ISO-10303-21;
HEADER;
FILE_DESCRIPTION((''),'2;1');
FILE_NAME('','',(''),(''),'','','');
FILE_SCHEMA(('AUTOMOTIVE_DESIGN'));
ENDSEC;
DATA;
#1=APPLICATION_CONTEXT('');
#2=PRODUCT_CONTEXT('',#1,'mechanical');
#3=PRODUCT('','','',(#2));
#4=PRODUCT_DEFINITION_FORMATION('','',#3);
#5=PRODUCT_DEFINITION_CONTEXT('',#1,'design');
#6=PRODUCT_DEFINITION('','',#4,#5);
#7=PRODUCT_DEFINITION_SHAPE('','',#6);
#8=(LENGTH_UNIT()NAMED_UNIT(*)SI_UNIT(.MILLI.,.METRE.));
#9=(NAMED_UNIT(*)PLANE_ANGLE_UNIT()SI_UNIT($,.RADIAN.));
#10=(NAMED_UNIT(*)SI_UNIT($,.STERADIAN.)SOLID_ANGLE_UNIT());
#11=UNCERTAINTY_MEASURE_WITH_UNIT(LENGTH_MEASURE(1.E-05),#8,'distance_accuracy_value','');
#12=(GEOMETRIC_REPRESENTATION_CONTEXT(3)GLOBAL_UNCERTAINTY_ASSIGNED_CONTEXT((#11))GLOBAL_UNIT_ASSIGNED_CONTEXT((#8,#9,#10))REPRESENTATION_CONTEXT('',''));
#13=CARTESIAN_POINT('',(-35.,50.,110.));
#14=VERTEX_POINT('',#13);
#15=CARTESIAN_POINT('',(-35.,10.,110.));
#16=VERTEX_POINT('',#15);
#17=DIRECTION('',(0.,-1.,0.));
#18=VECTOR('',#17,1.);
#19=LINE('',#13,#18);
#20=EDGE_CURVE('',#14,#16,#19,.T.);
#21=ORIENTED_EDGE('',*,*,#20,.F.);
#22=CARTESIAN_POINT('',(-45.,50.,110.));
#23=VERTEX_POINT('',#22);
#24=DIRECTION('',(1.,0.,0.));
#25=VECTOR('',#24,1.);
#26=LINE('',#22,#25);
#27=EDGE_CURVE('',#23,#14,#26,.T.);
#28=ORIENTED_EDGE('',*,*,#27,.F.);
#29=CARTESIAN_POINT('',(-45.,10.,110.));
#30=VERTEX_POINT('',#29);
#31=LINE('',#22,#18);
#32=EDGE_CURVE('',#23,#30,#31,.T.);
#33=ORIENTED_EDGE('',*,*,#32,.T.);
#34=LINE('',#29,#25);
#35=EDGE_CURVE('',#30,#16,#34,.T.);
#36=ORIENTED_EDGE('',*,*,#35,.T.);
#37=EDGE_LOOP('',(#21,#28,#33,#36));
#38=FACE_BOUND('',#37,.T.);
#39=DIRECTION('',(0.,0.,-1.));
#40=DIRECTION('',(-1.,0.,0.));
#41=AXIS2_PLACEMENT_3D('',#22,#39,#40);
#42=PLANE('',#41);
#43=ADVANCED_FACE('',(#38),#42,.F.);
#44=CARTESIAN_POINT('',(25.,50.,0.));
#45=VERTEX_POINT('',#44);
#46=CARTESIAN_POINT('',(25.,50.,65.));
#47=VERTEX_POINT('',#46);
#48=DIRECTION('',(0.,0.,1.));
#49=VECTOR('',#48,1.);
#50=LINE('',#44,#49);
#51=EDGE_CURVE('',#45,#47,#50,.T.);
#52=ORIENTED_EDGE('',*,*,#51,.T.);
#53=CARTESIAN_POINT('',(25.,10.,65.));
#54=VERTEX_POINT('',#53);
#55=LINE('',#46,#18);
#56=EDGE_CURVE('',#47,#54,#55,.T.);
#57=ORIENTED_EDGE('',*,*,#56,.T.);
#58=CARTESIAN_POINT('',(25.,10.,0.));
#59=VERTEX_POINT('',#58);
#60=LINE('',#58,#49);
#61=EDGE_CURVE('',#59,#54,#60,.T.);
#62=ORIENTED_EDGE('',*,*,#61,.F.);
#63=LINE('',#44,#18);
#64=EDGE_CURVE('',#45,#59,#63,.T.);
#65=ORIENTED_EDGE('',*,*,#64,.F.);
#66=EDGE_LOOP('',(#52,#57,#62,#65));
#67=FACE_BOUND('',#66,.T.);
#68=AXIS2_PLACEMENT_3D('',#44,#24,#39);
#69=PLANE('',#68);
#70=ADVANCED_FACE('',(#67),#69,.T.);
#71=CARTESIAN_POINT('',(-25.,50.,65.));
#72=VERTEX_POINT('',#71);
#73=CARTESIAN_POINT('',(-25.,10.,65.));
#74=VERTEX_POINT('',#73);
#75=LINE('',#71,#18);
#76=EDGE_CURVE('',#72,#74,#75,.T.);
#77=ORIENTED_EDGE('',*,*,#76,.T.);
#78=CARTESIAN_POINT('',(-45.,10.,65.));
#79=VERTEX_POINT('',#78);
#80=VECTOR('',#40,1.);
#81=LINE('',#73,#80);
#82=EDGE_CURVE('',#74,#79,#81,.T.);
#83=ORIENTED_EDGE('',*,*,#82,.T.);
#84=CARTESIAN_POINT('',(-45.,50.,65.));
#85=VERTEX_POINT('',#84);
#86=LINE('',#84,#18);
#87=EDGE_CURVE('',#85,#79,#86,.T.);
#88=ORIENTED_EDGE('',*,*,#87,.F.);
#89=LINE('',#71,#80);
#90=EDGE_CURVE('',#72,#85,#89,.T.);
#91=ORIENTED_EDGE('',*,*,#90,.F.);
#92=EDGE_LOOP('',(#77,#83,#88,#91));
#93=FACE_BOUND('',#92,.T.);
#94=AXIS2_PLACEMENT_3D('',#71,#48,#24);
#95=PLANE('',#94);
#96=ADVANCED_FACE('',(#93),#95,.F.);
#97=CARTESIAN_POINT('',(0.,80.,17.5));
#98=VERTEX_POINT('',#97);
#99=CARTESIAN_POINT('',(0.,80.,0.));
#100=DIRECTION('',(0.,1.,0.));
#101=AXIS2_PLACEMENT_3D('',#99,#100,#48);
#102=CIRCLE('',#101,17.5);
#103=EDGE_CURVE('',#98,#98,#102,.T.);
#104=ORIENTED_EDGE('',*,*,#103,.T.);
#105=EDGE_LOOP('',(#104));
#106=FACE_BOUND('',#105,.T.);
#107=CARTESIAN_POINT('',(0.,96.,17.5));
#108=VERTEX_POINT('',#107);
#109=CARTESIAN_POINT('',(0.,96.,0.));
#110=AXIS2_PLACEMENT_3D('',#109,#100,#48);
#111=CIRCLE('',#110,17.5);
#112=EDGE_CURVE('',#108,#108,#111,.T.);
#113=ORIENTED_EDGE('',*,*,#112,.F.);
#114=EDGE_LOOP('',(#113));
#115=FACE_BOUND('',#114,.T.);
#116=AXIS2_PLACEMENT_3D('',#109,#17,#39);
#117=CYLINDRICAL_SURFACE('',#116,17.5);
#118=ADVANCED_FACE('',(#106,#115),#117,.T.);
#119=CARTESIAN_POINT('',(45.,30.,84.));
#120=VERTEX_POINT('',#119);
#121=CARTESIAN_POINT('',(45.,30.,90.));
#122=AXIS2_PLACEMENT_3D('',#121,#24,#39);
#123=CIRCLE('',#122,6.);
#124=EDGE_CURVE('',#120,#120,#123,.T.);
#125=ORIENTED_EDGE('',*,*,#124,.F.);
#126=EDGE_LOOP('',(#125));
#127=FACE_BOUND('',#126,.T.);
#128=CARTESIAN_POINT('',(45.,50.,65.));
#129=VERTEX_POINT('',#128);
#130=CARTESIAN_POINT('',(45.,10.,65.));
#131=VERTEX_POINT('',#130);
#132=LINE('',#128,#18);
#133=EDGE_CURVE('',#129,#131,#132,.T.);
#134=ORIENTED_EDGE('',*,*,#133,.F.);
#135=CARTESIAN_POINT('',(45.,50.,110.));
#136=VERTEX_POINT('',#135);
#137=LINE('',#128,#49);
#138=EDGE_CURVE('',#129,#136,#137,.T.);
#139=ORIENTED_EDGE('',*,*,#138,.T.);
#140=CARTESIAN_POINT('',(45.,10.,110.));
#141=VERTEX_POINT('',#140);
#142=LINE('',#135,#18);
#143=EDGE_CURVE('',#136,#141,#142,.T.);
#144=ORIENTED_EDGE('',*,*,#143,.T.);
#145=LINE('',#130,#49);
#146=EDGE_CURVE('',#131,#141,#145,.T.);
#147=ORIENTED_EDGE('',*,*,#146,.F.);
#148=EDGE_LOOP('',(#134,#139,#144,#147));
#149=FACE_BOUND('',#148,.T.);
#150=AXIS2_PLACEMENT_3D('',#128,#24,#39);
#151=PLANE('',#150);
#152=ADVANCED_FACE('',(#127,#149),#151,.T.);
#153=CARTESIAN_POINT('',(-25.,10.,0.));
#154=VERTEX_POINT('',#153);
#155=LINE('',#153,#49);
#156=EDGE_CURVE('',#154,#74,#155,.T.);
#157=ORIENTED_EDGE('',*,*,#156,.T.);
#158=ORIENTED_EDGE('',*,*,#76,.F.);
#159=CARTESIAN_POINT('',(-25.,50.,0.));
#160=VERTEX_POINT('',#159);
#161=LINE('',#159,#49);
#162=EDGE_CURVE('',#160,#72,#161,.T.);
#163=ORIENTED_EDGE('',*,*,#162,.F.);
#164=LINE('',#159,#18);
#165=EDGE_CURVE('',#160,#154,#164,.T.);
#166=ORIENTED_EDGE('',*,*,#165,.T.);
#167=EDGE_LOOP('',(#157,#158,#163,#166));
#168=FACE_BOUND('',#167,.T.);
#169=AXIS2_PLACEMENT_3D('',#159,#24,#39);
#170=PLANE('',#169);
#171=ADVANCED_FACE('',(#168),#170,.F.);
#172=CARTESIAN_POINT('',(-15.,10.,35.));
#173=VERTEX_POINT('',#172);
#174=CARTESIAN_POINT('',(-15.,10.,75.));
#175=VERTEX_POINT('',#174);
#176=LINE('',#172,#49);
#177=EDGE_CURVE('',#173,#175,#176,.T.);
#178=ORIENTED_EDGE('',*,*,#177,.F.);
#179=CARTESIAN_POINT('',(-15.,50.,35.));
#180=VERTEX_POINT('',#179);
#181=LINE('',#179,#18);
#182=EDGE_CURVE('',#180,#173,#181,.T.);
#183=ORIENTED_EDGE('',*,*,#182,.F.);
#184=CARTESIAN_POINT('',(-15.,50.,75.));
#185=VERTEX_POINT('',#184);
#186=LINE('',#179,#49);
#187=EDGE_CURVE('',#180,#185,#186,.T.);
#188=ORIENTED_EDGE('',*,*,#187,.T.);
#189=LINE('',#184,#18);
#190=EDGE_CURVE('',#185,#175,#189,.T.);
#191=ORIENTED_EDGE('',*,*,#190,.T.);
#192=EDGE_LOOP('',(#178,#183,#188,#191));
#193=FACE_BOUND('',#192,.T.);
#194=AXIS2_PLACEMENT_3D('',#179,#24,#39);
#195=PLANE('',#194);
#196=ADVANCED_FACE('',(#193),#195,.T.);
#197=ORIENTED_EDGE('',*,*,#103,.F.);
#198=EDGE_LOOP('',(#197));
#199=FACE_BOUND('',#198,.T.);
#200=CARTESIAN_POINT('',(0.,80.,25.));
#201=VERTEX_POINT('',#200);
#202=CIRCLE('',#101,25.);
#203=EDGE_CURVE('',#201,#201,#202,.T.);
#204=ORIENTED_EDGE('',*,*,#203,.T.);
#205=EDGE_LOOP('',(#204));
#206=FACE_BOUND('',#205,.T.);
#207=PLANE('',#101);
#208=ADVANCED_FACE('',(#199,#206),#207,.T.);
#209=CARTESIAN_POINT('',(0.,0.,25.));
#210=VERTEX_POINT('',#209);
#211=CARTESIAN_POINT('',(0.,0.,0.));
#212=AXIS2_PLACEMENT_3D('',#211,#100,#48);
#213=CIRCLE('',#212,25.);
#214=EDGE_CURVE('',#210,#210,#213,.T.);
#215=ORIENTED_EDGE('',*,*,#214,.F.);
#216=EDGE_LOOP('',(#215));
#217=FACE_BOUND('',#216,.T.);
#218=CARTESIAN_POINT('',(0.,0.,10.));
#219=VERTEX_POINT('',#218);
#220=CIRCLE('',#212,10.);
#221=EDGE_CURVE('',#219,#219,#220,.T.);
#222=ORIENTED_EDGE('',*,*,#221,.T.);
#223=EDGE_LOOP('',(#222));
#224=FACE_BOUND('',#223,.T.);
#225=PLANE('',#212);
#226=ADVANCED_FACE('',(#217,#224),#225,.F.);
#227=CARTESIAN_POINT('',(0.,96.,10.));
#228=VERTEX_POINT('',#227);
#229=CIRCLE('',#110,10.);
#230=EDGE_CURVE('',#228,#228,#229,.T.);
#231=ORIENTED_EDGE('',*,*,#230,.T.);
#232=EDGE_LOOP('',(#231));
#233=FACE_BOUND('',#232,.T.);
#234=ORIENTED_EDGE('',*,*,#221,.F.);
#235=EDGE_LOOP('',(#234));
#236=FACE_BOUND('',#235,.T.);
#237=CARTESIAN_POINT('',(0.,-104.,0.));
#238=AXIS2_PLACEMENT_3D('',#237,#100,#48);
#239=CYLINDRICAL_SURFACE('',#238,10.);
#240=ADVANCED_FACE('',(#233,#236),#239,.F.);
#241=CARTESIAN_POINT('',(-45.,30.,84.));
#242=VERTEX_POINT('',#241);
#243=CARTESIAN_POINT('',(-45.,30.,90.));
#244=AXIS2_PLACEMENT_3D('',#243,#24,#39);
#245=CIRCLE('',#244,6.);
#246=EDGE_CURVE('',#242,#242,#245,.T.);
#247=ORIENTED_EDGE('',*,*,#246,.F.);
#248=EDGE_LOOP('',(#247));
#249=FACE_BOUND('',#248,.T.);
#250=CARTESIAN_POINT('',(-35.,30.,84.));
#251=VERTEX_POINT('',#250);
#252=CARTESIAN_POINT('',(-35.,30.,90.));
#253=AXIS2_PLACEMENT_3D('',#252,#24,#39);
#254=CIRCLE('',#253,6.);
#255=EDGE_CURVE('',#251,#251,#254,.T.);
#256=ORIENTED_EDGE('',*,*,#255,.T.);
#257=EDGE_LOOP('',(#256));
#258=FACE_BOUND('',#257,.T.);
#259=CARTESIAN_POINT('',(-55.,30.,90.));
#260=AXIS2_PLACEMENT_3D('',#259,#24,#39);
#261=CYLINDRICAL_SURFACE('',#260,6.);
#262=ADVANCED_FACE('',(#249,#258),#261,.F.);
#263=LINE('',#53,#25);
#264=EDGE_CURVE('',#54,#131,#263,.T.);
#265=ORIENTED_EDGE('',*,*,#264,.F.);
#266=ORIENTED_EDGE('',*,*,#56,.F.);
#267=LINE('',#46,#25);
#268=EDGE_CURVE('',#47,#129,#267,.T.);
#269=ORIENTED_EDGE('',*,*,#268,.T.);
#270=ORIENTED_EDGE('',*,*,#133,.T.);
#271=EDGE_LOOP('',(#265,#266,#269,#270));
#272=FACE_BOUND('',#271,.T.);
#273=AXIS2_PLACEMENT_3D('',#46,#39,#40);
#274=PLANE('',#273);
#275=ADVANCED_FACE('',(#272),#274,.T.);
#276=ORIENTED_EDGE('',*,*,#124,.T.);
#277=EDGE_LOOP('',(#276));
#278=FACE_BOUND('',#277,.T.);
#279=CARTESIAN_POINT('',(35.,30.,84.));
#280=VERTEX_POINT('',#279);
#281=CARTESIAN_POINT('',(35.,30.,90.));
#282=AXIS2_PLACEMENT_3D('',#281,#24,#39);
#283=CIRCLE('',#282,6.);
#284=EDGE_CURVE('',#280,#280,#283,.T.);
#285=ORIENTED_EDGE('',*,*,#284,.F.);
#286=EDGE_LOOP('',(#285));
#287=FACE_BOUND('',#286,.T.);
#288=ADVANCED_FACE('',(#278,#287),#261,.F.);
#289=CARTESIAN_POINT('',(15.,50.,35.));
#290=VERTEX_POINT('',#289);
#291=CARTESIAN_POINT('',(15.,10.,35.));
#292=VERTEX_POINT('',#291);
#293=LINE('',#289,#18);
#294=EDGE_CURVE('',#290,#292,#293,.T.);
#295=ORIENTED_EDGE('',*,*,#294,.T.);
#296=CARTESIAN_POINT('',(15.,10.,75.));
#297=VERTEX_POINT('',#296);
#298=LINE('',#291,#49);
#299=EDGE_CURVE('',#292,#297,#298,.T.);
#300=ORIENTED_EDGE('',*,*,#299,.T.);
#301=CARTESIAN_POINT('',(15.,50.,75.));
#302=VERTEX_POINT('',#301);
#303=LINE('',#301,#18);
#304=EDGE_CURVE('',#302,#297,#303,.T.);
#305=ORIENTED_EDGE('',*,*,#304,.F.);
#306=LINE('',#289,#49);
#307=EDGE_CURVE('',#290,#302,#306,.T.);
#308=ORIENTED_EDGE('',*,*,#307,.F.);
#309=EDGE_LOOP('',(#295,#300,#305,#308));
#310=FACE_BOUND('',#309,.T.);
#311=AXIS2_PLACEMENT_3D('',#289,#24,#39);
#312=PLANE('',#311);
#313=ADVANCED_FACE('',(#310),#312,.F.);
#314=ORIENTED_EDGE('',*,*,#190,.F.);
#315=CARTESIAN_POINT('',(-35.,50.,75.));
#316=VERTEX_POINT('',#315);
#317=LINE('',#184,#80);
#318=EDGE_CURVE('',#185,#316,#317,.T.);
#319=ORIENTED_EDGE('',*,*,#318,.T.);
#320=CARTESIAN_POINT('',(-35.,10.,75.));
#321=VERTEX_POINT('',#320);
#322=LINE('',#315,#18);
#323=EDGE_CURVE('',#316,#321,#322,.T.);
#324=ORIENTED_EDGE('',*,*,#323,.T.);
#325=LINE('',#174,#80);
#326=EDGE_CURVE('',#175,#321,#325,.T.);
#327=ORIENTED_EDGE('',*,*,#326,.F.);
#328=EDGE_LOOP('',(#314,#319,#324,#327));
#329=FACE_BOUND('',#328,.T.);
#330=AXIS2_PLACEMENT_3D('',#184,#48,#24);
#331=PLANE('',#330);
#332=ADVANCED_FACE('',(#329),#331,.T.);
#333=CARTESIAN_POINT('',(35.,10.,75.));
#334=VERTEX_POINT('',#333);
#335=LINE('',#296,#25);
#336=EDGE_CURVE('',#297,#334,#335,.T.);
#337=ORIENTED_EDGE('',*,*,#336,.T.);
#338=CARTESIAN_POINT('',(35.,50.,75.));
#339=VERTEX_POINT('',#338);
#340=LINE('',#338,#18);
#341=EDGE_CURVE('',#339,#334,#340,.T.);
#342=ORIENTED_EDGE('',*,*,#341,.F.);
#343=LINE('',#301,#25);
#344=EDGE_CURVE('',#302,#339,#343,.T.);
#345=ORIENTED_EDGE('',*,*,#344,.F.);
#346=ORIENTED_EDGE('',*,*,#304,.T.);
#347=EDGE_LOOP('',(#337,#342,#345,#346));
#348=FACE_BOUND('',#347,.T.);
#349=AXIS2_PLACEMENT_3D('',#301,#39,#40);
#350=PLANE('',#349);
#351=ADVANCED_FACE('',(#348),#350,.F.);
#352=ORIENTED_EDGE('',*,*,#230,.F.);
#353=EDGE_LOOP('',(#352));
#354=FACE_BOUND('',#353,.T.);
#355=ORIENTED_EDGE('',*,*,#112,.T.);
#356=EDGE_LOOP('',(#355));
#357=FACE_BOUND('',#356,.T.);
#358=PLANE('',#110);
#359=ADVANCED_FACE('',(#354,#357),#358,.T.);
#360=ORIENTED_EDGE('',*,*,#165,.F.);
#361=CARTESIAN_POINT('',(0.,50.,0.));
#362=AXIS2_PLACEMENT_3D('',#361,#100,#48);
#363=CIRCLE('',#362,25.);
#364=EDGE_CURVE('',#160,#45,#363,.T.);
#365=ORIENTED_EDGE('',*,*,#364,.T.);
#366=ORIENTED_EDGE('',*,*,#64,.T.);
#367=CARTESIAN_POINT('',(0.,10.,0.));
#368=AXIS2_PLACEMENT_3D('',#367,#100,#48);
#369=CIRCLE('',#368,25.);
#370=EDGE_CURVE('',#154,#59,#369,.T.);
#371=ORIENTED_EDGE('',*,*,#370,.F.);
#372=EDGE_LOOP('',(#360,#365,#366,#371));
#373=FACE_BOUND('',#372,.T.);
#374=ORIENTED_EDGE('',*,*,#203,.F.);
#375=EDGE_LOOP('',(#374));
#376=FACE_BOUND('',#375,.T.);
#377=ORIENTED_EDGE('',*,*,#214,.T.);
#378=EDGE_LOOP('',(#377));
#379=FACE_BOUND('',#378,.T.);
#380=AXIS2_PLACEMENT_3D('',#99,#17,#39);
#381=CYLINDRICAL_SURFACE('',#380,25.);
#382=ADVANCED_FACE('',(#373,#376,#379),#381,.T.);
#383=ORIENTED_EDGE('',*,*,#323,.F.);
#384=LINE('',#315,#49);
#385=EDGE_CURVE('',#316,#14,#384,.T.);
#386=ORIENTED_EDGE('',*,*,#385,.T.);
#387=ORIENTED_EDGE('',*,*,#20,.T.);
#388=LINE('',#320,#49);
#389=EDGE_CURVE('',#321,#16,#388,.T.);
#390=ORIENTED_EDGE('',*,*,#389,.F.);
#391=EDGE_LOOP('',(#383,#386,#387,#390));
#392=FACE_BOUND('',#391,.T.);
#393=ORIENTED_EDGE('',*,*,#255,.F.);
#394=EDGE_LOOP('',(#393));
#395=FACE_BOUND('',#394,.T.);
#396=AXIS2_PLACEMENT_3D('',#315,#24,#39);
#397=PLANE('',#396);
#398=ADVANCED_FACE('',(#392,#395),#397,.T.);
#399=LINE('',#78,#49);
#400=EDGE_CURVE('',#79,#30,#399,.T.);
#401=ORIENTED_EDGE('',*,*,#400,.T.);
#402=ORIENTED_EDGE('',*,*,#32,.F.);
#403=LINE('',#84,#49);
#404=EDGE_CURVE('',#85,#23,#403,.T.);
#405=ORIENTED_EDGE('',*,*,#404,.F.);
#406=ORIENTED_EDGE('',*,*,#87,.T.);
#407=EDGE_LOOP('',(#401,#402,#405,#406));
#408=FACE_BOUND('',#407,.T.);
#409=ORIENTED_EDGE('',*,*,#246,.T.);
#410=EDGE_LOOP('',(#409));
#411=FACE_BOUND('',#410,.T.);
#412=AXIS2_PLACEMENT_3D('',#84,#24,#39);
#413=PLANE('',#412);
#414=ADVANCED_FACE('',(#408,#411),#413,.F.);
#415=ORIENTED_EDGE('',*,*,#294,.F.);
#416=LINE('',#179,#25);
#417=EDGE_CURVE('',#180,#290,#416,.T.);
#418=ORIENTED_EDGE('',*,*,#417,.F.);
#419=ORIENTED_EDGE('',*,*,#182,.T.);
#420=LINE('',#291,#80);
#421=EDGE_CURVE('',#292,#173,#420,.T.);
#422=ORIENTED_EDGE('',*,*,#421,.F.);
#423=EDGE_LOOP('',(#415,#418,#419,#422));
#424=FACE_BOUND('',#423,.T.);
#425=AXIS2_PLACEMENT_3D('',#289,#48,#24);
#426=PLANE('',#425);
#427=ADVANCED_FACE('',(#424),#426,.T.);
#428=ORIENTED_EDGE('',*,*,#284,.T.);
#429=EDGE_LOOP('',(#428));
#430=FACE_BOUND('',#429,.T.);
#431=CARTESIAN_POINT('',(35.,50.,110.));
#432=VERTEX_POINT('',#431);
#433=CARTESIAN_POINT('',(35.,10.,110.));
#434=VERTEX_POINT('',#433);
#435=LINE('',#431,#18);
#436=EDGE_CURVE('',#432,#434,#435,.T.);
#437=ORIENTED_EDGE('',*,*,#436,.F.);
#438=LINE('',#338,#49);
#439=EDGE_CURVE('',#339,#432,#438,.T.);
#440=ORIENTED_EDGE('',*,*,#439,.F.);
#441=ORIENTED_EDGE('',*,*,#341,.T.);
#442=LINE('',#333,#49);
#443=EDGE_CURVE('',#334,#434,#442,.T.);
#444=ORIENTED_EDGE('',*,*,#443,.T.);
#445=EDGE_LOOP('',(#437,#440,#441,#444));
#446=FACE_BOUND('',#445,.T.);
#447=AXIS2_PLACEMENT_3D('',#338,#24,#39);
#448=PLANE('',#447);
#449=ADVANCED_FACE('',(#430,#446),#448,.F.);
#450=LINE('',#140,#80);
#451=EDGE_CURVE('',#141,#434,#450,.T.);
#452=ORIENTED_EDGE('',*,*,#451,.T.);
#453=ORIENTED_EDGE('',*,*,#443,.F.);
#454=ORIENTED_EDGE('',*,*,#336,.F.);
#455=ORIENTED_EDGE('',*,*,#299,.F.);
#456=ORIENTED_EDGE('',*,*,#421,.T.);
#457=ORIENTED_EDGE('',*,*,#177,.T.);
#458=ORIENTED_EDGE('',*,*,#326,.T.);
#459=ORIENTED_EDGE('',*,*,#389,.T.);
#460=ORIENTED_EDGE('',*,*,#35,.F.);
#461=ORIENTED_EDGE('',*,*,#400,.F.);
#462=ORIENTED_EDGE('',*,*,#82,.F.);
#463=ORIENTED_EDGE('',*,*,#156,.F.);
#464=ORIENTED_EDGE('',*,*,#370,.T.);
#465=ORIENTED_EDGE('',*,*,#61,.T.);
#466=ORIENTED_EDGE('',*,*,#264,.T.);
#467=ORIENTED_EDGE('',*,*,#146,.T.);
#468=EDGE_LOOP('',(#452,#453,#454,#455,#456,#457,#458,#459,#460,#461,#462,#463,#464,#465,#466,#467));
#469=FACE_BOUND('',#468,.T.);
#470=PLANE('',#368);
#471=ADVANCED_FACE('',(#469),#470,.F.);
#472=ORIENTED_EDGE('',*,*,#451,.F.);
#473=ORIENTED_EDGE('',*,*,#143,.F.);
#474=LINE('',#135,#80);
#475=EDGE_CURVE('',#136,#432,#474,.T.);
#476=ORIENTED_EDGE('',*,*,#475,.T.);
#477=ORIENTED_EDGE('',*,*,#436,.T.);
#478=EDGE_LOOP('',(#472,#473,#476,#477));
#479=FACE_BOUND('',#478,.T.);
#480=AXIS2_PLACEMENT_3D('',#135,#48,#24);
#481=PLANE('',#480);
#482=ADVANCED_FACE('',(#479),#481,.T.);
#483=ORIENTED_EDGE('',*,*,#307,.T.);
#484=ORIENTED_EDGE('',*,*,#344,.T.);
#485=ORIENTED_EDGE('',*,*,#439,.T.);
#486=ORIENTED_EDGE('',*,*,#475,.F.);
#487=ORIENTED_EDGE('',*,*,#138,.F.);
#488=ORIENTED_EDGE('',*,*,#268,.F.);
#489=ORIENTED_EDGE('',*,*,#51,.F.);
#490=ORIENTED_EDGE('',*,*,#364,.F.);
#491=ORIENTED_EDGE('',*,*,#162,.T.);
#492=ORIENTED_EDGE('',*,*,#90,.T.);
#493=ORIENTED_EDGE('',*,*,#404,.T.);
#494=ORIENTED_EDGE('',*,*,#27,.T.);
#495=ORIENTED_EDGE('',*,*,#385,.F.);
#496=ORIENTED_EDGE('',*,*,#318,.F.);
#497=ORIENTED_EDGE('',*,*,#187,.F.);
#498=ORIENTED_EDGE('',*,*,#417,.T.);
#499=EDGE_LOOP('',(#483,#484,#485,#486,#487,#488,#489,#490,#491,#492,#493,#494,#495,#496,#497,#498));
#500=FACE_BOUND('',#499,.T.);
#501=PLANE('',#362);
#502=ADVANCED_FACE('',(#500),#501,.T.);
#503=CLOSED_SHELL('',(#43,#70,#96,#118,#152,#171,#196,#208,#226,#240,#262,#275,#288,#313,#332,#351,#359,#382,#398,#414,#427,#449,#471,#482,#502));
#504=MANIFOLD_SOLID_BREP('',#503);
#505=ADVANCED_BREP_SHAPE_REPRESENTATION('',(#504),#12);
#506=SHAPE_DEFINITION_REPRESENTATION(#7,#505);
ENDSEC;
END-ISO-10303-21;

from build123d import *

# Parameters (mm, degrees)
SKETCH1_R           = 25
BOSS_EXTRUDE1_DEPTH = 80
SKETCH2_R           = 17.5
BOSS_EXTRUDE2_DEPTH = 16
SKETCH3_R           = 10
CUT_EXTRUDE1_DEPTH  = 200
BOSS_EXTRUDE3_START = 10
BOSS_EXTRUDE3_DEPTH = 40
SKETCH5_R           = 6
CUT_EXTRUDE2_DEPTH  = 100


with BuildPart() as part:
    # Sketch1 → Boss-Extrude1 (new body)
    with BuildSketch(Plane(origin=(0, 0, 0), x_dir=(1, 0, 0), z_dir=(0, 1, 0))):
        Circle(SKETCH1_R)
    extrude(amount=BOSS_EXTRUDE1_DEPTH)

    # Sketch2 → Boss-Extrude2 (add)
    with BuildSketch(Plane(origin=(0, 80, 0), x_dir=(1, 0, 0), z_dir=(0, 1, 0))):
        Circle(SKETCH2_R)
    extrude(amount=BOSS_EXTRUDE2_DEPTH)

    # Sketch3 → Cut-Extrude1 (cut)
    with BuildSketch(Plane(origin=(0, 96, 0), x_dir=(1, 0, 0), z_dir=(0, 1, 0))):
        Circle(SKETCH3_R)
    extrude(amount=-CUT_EXTRUDE1_DEPTH, mode=Mode.SUBTRACT)

    # Sketch4 → Boss-Extrude3 (add)
    with BuildSketch(Plane(origin=(0, 0, 0), x_dir=(1, 0, 0), z_dir=(0, 1, 0)).offset(BOSS_EXTRUDE3_START)):
        with BuildLine():
            Line((-25, 0), (-25, -65))
            Line((-25, -65), (-45, -65))
            Line((-45, -65), (-45, -110))
            Line((-45, -110), (-35, -110))
            Line((-35, -110), (-35, -75))
            Line((-35, -75), (-15, -75))
            Line((-15, -75), (-15, -35))
            Line((-15, -35), (0, -35))
            Line((0, -35), (15, -35))
            Line((15, -35), (15, -75))
            Line((15, -75), (35, -75))
            Line((35, -75), (35, -110))
            Line((35, -110), (45, -110))
            Line((45, -110), (45, -65))
            Line((45, -65), (25, -65))
            Line((25, -65), (25, 0))
            ThreePointArc((25, 0), (0, -25), (-25, 0))
        make_face()
    extrude(amount=BOSS_EXTRUDE3_DEPTH)

    # Sketch5 → Cut-Extrude2 (cut)
    with BuildSketch(Plane(origin=(45, 0, 0), x_dir=(0, 0, -1), z_dir=(1, 0, 0))):
        with Locations((-90, 30)):
            Circle(SKETCH5_R)
    extrude(amount=-CUT_EXTRUDE2_DEPTH, mode=Mode.SUBTRACT)


solid = part.part
